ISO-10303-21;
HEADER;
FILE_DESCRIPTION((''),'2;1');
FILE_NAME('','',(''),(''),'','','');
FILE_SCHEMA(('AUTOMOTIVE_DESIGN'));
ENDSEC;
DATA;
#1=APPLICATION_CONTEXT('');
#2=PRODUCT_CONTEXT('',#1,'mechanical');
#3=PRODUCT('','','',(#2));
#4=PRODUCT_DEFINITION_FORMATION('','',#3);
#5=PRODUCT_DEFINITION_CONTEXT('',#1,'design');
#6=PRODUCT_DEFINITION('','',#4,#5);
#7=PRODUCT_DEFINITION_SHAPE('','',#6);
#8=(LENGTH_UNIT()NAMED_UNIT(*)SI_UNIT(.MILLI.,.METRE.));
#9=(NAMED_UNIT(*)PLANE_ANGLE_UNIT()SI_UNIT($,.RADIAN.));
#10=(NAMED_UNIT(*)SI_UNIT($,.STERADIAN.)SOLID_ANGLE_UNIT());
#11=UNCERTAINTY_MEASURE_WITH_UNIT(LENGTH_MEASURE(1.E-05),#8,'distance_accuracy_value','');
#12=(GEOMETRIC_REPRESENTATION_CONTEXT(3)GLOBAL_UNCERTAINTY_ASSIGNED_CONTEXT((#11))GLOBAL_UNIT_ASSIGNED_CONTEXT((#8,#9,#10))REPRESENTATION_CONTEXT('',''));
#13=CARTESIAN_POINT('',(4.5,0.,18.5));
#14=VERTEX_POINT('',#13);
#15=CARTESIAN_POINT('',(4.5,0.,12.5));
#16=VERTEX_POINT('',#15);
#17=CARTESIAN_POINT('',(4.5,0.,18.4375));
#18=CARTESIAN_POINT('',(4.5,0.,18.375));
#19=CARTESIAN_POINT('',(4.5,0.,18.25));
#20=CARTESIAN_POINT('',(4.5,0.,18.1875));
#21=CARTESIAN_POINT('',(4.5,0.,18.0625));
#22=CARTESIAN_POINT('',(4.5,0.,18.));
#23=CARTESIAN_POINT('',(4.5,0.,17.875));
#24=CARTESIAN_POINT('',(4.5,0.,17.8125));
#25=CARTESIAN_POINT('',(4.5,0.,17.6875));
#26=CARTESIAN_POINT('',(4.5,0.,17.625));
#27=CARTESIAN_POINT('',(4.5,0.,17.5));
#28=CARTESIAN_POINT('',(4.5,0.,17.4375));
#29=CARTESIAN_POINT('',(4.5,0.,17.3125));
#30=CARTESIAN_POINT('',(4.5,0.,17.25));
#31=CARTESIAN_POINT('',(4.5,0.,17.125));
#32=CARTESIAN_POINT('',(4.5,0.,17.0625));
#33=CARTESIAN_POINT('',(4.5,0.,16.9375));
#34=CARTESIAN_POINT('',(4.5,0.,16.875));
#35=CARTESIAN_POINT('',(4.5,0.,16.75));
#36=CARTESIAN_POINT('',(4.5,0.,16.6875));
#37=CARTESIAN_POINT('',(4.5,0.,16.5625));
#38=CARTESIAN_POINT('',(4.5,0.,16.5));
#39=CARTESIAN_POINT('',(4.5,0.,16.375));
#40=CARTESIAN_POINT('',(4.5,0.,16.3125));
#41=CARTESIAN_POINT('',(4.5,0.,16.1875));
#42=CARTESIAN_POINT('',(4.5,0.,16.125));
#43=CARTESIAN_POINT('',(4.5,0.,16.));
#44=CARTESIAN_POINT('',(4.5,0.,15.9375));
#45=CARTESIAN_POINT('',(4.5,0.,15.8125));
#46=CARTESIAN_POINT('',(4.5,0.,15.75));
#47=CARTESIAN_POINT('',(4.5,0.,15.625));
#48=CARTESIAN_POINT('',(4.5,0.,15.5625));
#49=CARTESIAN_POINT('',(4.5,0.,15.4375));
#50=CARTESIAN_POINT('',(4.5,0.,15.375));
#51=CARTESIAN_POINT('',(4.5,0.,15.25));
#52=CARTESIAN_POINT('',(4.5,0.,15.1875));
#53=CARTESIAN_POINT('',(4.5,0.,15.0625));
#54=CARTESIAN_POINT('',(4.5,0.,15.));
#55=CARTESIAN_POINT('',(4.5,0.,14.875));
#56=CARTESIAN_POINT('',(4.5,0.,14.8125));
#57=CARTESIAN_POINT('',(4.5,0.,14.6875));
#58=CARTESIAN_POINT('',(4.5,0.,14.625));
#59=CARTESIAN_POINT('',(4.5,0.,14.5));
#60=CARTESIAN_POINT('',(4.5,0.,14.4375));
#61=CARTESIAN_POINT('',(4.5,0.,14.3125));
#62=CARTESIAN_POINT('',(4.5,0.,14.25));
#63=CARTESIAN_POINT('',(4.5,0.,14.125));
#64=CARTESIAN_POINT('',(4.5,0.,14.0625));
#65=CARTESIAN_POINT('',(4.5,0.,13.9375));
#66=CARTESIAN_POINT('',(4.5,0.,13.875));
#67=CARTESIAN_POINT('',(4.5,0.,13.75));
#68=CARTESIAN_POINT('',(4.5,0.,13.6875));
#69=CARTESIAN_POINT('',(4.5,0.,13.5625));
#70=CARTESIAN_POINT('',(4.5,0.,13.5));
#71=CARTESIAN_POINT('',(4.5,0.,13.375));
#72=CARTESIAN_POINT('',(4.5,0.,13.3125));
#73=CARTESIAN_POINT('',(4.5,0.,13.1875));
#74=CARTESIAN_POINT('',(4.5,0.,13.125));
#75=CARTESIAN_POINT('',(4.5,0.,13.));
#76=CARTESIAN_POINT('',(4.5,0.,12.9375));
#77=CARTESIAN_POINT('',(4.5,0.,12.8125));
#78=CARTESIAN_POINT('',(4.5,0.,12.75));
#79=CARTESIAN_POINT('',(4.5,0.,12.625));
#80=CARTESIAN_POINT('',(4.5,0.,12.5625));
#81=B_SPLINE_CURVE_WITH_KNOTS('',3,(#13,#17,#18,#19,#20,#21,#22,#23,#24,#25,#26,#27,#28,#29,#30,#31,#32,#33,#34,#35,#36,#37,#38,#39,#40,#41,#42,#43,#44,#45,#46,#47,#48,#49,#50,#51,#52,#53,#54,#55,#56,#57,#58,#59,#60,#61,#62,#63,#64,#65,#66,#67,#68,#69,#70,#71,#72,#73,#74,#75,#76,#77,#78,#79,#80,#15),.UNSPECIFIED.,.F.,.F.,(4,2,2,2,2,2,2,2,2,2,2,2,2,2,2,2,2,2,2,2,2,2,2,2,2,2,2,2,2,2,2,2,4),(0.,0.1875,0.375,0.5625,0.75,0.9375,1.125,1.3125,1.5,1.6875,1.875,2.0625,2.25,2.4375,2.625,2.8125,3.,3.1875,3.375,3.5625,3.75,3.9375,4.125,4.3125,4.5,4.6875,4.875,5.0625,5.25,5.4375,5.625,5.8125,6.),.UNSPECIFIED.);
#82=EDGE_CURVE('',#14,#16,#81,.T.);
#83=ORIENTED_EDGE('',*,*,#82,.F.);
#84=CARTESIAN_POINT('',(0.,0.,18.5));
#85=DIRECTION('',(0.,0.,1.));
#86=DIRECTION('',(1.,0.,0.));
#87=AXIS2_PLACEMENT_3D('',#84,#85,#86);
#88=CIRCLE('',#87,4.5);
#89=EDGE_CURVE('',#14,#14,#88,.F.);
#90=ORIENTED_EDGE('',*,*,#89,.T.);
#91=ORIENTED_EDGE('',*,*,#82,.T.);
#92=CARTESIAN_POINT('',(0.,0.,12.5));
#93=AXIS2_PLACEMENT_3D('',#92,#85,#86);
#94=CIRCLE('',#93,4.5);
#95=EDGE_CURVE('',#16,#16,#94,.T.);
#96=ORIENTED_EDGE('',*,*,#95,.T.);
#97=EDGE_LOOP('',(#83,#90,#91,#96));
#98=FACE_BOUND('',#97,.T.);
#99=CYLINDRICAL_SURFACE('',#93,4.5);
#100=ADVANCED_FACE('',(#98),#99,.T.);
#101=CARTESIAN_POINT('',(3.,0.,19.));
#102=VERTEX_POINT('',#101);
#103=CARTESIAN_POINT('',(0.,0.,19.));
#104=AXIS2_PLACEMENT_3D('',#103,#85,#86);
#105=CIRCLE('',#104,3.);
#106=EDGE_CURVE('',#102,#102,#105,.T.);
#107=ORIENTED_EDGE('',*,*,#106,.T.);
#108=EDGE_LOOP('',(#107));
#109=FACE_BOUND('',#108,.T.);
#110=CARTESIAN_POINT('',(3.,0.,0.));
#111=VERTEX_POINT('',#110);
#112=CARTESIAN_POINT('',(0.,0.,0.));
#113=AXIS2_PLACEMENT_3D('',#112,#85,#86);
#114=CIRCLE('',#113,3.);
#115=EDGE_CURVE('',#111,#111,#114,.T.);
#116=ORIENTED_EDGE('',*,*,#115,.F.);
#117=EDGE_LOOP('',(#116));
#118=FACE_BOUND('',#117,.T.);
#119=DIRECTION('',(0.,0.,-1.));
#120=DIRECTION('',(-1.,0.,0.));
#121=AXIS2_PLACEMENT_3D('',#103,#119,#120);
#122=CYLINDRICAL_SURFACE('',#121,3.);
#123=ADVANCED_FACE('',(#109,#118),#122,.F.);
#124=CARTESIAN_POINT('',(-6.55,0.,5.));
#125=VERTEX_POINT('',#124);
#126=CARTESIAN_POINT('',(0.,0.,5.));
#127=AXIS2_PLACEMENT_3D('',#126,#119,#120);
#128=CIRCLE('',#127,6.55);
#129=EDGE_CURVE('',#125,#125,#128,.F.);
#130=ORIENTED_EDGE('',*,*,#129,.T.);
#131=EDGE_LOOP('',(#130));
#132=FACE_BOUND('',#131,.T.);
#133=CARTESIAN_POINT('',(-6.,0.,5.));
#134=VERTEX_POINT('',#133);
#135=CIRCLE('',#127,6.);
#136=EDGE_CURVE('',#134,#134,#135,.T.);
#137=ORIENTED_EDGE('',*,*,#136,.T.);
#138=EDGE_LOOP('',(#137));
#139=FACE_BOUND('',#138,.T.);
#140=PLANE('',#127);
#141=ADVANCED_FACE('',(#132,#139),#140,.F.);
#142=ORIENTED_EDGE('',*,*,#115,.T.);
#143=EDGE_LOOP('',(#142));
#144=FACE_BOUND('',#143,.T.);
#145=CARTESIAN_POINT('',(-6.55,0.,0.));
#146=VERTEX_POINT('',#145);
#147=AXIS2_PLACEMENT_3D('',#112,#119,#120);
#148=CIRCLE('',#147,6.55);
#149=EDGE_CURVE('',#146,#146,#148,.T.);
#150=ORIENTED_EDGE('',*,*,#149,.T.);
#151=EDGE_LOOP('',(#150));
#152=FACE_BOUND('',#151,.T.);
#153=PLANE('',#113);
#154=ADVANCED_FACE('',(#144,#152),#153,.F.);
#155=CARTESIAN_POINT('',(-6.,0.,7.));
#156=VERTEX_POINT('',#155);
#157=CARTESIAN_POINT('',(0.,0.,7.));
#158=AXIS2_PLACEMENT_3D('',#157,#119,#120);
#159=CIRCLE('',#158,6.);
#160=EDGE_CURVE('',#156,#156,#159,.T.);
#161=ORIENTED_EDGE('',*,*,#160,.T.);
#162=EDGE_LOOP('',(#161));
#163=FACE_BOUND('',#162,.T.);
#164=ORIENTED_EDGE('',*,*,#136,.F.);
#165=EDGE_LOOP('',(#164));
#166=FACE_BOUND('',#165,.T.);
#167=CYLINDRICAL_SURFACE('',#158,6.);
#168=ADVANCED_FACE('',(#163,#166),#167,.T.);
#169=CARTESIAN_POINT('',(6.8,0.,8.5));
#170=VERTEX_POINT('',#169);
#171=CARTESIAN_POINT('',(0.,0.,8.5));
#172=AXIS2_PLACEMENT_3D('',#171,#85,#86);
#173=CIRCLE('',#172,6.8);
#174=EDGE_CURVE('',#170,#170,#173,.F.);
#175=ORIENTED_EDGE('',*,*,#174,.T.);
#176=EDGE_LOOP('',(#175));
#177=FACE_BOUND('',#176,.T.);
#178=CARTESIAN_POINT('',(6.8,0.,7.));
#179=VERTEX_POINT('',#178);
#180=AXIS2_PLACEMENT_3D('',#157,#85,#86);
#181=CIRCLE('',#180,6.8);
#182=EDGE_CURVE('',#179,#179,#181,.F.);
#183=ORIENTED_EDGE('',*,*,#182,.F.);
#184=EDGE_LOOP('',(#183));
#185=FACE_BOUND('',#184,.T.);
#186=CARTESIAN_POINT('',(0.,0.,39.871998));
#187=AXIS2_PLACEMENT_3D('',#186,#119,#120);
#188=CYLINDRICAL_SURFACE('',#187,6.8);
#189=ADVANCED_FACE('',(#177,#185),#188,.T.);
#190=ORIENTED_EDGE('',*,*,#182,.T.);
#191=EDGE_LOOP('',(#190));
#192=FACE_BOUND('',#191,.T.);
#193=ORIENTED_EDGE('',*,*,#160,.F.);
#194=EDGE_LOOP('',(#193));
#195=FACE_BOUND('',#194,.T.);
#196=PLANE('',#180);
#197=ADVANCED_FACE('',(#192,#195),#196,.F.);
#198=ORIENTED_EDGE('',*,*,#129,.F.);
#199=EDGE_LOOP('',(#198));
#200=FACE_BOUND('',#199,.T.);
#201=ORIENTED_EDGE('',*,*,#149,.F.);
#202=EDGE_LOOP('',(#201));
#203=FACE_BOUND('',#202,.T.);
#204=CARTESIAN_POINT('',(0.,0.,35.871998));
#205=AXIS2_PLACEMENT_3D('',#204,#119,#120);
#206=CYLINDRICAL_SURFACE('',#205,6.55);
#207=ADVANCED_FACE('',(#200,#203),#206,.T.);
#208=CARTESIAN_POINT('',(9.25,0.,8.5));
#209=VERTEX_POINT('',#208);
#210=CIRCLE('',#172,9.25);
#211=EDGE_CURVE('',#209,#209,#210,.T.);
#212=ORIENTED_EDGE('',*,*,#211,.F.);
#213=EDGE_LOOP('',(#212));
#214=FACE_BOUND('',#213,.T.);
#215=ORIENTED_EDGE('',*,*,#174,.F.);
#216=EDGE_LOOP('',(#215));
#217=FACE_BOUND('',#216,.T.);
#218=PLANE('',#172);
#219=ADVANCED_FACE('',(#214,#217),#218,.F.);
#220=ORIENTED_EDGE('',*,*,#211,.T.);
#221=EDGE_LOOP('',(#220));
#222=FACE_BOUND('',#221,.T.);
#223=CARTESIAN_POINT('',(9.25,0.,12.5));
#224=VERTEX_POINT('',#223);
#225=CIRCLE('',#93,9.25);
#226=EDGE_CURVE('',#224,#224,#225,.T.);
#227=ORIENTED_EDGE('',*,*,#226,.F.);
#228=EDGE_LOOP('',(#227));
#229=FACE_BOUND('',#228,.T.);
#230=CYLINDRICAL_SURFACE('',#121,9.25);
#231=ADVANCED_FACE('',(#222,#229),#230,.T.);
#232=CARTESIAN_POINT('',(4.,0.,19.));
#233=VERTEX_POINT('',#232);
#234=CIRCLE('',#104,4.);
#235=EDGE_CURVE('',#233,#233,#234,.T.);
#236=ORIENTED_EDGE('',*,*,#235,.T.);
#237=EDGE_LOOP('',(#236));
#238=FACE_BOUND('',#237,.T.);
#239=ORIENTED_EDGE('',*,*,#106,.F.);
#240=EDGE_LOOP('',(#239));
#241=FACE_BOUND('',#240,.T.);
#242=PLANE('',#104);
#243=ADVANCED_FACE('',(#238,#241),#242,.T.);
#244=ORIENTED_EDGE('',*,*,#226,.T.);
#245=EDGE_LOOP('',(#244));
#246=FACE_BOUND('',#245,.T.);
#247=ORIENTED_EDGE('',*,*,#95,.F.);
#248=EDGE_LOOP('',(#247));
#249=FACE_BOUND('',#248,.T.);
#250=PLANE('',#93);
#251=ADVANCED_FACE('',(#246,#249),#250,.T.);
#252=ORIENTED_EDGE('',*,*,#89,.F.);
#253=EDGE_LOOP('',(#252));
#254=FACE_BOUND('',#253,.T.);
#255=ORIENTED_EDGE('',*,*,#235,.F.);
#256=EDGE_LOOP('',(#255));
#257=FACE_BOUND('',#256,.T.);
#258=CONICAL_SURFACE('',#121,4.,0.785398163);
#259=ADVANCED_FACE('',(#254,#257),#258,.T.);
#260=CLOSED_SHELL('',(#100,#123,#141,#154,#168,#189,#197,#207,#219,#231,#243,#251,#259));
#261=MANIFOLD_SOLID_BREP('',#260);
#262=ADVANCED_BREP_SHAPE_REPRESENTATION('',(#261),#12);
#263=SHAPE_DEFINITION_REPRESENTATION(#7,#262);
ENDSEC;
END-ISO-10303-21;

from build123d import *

# Parameters (mm, degrees)
SKETCH1_R           = 9.25
SKETCH1_R_2         = 3
BOSS_EXTRUDE1_DEPTH = 19
SKETCH2_OUTSIDE_W   = 26.966
SKETCH2_OUTSIDE_H   = 26.966
SKETCH2_OUTSIDE_R   = 4.5
CUT_EXTRUDE1_DEPTH  = 6.5
SKETCH3_OUTSIDE_W   = 26.966
SKETCH3_OUTSIDE_H   = 26.966
SKETCH3_OUTSIDE_R   = 6.8
CUT_EXTRUDE2_DEPTH  = 8.5
SKETCH4_OUTSIDE_W   = 26.966
SKETCH4_OUTSIDE_H   = 26.966
SKETCH4_OUTSIDE_R   = 6.55
CUT_EXTRUDE3_DEPTH  = 7
CHAMFER1_SIZE       = 0.5
CUT_EXTRUDE4_START  = -5
SKETCH5_OUTSIDE_W   = 26.966
SKETCH5_OUTSIDE_H   = 26.966
SKETCH5_OUTSIDE_R   = 6
CUT_EXTRUDE4_DEPTH  = 2


with BuildPart() as part:
    # Sketch1 → Boss-Extrude1 (new body)
    with BuildSketch(Plane.XY):
        Circle(SKETCH1_R)
        Circle(SKETCH1_R_2, mode=Mode.SUBTRACT)
    extrude(amount=BOSS_EXTRUDE1_DEPTH)

    # Sketch2 outside → Cut-Extrude1 (cut)
    with BuildSketch(Plane.XY.offset(19)):
        Rectangle(SKETCH2_OUTSIDE_W, SKETCH2_OUTSIDE_H)
        Circle(SKETCH2_OUTSIDE_R, mode=Mode.SUBTRACT)
    extrude(amount=-CUT_EXTRUDE1_DEPTH, mode=Mode.SUBTRACT)

    # Sketch3 outside → Cut-Extrude2 (cut)
    with BuildSketch(Plane(origin=(0, 0, 0), x_dir=(-1, 0, 0), z_dir=(0, 0, -1))):
        Rectangle(SKETCH3_OUTSIDE_W, SKETCH3_OUTSIDE_H)
        Circle(SKETCH3_OUTSIDE_R, mode=Mode.SUBTRACT)
    extrude(amount=-CUT_EXTRUDE2_DEPTH, mode=Mode.SUBTRACT)

    # Sketch4 outside → Cut-Extrude3 (cut)
    with BuildSketch(Plane(origin=(0, 0, 0), x_dir=(-1, 0, 0), z_dir=(0, 0, -1))):
        Rectangle(SKETCH4_OUTSIDE_W, SKETCH4_OUTSIDE_H)
        Circle(SKETCH4_OUTSIDE_R, mode=Mode.SUBTRACT)
    extrude(amount=-CUT_EXTRUDE3_DEPTH, mode=Mode.SUBTRACT)

    # Chamfer1
    chamfer1_edges = [part.edges().sort_by_distance(p)[0] for p in [
        (-4.5, 0, 19),
    ]]
    chamfer(chamfer1_edges, length=CHAMFER1_SIZE)

    # Sketch5 outside → Cut-Extrude4 (cut)
    with BuildSketch(Plane(origin=(0, 0, 0), x_dir=(-1, 0, 0), z_dir=(0, 0, -1)).offset(CUT_EXTRUDE4_START)):
        Rectangle(SKETCH5_OUTSIDE_W, SKETCH5_OUTSIDE_H)
        Circle(SKETCH5_OUTSIDE_R, mode=Mode.SUBTRACT)
    extrude(amount=-CUT_EXTRUDE4_DEPTH, mode=Mode.SUBTRACT)


solid = part.part
